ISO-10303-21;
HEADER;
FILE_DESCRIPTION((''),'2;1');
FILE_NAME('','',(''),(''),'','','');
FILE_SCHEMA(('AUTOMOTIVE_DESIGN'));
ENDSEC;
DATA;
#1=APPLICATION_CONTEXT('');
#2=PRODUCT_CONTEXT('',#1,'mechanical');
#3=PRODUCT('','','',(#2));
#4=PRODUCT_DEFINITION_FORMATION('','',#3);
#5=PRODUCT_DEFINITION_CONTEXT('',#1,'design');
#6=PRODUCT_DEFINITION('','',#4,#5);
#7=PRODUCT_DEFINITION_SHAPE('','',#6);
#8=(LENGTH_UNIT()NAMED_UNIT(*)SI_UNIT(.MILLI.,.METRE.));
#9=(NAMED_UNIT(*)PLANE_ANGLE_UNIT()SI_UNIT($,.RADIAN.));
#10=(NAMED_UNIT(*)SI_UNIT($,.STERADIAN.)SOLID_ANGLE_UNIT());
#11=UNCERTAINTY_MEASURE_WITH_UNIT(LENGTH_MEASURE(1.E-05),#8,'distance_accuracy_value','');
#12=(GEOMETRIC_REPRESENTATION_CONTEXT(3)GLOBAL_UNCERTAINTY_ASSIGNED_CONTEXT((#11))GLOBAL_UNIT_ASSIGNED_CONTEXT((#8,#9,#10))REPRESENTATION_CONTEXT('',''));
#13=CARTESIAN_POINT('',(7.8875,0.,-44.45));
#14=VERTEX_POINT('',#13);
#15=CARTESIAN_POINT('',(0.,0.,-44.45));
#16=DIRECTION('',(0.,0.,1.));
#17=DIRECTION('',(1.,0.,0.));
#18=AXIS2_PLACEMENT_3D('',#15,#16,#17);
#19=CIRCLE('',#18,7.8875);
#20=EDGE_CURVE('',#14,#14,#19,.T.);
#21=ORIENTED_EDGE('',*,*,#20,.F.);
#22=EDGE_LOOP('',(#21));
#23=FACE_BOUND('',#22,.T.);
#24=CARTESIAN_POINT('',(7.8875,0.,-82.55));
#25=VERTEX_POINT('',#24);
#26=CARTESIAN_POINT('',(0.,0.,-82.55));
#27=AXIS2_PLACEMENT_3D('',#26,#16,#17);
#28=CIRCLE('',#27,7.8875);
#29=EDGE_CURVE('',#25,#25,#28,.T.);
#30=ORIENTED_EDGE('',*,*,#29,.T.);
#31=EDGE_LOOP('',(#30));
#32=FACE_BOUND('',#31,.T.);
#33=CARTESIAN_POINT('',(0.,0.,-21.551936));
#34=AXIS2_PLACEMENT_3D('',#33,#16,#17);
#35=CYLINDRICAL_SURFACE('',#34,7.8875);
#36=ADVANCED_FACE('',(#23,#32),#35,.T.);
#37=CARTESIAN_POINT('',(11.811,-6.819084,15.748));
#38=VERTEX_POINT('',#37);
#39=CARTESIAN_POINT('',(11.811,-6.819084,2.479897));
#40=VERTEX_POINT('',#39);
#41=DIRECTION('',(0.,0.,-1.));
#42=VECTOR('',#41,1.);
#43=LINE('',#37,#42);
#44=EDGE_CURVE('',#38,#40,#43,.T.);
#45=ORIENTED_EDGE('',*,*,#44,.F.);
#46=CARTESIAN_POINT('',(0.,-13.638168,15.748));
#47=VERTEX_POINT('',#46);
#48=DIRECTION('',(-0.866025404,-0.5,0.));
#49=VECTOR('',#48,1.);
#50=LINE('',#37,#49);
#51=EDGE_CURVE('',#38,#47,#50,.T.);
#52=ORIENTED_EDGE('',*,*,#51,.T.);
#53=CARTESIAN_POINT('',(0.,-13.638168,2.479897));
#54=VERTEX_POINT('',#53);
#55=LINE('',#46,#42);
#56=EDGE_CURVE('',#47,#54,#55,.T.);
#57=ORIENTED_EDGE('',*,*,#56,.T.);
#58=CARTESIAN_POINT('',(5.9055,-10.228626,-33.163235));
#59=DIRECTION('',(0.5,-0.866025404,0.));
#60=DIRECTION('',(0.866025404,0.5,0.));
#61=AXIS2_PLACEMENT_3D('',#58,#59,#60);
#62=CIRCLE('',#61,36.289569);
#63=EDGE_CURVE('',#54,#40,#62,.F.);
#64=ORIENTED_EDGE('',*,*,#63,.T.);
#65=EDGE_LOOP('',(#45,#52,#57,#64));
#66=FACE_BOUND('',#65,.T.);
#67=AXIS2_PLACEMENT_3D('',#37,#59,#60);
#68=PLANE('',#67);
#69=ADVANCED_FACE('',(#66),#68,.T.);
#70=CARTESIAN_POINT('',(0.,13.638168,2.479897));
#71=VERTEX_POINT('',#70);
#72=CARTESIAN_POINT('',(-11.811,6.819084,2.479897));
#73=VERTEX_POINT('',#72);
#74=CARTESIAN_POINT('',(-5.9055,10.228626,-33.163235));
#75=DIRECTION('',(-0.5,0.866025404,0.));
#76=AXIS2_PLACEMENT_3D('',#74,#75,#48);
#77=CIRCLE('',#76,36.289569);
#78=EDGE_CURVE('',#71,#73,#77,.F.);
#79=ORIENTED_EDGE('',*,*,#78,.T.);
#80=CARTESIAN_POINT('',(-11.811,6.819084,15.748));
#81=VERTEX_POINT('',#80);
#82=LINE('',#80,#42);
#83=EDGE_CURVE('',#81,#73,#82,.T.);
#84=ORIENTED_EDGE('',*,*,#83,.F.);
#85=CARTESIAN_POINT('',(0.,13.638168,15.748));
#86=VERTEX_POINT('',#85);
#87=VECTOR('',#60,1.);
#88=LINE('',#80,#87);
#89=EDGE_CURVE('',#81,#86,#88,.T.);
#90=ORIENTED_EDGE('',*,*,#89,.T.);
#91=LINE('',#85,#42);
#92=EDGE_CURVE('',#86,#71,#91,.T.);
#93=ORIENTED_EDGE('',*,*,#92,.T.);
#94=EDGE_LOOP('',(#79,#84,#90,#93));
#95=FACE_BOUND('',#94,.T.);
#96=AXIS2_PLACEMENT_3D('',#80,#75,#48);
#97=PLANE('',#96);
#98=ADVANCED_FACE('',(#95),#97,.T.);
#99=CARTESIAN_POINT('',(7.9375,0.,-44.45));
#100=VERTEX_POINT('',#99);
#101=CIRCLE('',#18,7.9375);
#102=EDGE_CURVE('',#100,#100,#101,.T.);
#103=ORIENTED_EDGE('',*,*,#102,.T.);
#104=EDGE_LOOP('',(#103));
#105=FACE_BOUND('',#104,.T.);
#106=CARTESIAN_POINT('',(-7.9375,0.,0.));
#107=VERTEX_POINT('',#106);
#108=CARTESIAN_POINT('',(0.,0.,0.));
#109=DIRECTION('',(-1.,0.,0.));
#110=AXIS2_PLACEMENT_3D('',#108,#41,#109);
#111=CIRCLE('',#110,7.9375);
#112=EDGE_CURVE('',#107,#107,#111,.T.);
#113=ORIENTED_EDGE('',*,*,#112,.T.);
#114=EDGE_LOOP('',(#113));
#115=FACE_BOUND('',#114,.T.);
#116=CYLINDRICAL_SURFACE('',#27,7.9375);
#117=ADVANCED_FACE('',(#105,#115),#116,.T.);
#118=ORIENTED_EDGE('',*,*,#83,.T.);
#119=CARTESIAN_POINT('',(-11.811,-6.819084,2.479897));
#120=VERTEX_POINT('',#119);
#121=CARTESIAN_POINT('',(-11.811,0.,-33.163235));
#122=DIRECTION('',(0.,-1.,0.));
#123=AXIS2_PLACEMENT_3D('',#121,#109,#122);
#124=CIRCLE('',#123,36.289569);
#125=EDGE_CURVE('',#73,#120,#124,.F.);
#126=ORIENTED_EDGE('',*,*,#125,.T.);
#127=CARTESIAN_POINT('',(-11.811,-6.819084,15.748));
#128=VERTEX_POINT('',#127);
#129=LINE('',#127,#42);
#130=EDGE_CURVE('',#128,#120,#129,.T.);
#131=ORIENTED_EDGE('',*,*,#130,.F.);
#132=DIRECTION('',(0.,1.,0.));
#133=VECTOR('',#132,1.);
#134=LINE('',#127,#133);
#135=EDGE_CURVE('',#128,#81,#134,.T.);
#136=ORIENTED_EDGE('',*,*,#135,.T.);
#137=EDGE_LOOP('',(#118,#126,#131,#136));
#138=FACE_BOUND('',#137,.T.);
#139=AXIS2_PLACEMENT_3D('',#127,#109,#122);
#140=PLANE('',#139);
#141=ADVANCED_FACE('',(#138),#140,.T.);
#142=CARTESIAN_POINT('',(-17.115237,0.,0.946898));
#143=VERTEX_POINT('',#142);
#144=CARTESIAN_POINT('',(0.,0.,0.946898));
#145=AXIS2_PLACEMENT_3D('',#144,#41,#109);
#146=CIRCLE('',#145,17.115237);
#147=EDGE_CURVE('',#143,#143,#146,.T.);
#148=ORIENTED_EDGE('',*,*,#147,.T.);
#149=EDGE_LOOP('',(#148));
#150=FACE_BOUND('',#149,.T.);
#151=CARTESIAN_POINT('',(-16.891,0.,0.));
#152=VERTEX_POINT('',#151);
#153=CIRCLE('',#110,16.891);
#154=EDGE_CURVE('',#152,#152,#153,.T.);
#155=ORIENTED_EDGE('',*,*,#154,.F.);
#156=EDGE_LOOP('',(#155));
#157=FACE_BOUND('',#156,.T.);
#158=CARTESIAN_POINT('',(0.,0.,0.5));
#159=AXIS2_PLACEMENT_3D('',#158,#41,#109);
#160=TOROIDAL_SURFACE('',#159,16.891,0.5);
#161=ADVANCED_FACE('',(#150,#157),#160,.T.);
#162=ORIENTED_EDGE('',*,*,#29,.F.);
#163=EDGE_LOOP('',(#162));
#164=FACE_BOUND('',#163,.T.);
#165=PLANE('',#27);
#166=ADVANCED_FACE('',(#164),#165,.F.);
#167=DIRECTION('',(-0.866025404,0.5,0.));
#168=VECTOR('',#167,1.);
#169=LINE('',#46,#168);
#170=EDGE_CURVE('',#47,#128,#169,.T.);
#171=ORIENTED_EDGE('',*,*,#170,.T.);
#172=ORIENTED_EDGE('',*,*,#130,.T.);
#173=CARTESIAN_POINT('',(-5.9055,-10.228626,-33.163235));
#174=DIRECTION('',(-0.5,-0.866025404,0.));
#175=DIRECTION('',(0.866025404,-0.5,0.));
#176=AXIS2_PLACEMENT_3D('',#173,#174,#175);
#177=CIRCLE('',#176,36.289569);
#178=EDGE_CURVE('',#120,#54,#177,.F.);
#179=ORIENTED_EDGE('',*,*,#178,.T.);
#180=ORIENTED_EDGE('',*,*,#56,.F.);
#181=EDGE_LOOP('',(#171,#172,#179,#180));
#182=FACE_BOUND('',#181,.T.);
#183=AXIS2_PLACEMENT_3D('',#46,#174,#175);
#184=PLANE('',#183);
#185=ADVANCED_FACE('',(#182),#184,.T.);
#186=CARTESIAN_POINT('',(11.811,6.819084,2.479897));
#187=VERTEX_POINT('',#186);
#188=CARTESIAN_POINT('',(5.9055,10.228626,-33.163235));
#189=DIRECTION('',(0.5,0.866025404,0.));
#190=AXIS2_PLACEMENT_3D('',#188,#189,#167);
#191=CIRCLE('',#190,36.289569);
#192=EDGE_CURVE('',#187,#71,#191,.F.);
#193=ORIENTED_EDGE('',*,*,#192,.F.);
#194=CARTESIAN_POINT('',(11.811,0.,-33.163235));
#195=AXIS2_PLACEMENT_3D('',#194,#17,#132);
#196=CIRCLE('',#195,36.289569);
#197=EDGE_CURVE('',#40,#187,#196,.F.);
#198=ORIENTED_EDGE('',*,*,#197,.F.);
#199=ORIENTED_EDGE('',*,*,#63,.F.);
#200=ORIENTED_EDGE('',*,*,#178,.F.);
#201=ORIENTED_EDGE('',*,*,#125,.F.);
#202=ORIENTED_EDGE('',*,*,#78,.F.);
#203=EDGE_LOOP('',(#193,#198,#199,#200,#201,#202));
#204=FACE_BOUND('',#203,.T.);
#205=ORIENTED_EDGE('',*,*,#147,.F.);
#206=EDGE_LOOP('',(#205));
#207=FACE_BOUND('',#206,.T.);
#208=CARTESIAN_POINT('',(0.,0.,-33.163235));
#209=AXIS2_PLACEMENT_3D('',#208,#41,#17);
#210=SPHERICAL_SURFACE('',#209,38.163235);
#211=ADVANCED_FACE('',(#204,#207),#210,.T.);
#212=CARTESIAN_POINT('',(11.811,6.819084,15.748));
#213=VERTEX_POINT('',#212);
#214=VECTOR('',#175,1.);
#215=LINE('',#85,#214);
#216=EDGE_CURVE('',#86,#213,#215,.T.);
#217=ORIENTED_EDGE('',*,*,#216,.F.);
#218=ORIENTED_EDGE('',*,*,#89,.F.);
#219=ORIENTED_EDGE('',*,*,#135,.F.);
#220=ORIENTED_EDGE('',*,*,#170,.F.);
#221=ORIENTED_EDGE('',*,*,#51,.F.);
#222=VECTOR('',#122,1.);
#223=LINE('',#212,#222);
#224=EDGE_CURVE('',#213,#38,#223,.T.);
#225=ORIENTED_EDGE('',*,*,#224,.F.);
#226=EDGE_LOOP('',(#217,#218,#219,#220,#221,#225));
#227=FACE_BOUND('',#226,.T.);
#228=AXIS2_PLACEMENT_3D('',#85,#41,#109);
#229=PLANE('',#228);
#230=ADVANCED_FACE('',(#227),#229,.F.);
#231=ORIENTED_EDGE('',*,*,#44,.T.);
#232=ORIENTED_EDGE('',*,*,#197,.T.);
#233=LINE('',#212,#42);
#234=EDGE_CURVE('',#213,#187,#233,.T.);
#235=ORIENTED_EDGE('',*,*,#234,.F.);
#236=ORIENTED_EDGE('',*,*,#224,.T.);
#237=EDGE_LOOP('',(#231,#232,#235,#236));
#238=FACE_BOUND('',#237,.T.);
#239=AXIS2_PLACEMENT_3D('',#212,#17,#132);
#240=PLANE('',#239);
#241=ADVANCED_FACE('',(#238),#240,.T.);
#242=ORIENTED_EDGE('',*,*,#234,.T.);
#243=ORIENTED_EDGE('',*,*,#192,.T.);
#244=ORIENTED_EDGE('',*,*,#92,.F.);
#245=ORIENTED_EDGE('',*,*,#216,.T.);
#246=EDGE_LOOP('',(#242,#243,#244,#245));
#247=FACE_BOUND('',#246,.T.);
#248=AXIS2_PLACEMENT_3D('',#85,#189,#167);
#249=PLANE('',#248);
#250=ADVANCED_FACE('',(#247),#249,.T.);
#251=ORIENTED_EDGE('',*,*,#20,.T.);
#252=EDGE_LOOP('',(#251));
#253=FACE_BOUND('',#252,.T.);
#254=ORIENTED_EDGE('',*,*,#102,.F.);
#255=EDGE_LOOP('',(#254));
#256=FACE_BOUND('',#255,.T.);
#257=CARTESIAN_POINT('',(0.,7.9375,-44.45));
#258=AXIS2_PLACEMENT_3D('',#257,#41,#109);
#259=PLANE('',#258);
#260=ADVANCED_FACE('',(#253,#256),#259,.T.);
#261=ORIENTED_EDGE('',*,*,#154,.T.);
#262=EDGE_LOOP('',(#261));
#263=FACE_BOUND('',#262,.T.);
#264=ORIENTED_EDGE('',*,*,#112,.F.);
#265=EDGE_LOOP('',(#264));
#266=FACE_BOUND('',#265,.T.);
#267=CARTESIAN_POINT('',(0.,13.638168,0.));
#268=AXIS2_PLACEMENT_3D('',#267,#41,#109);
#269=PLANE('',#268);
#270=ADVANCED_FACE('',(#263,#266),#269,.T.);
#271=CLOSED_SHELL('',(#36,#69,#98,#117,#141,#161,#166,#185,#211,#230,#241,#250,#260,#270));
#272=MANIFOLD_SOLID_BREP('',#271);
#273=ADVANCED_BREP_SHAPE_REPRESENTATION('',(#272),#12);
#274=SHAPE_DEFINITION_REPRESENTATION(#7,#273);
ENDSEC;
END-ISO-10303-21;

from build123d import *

# Parameters (mm, degrees)
HEAD_DEPTH     = 15.748
SHANK_SKETCH_R = 7.9375
SHANK_DEPTH    = 82.55
THREAD_END_W   = 38.1
THREAD_END_H   = 0.05


with BuildPart() as part:
    # Head Sketch → Head (new body)
    with BuildSketch(Plane.XY):
        Polygon((0, 13.638168059), (11.811, 6.819084029), (11.811, -6.819084029), (0, -13.638168059), (-11.811, -6.819084029), (-11.811, 6.819084029), align=None)
    extrude(amount=HEAD_DEPTH)

    # Shank Sketch → Shank (add)
    with BuildSketch(Plane.XY):
        Circle(SHANK_SKETCH_R)
    extrude(amount=-SHANK_DEPTH)

    # Sketch3 → Flange (revolve)
    with BuildSketch(Plane(origin=(0, 0, 0), x_dir=(-1, 0, 0), z_dir=(0, 1, 0))):
        with BuildLine():
            Line((-16.891, 0), (0, 0))
            Line((0, 0), (0, 5))
            ThreePointArc((0, 5), (-8.794301894, 3.972903196), (-17.115237243, 0.946897817))
            ThreePointArc((-17.115237243, 0.946897817), (-17.377543373, 0.384780446), (-16.891, 0))
        make_face()
    revolve(axis=Axis((0, 0, 0), (0, 0, 1)))

    # Thread End → Thread Cut (revolve, cut)
    with BuildSketch(Plane(origin=(0, 0, 0), x_dir=(0, 0, -1), z_dir=(1, 0, 0))):
        with Locations((63.5, 7.9125)):
            Rectangle(THREAD_END_W, THREAD_END_H)
    revolve(axis=Axis((0, 0, -21.551935625), (0, 0, -1)), mode=Mode.SUBTRACT)


solid = part.part
